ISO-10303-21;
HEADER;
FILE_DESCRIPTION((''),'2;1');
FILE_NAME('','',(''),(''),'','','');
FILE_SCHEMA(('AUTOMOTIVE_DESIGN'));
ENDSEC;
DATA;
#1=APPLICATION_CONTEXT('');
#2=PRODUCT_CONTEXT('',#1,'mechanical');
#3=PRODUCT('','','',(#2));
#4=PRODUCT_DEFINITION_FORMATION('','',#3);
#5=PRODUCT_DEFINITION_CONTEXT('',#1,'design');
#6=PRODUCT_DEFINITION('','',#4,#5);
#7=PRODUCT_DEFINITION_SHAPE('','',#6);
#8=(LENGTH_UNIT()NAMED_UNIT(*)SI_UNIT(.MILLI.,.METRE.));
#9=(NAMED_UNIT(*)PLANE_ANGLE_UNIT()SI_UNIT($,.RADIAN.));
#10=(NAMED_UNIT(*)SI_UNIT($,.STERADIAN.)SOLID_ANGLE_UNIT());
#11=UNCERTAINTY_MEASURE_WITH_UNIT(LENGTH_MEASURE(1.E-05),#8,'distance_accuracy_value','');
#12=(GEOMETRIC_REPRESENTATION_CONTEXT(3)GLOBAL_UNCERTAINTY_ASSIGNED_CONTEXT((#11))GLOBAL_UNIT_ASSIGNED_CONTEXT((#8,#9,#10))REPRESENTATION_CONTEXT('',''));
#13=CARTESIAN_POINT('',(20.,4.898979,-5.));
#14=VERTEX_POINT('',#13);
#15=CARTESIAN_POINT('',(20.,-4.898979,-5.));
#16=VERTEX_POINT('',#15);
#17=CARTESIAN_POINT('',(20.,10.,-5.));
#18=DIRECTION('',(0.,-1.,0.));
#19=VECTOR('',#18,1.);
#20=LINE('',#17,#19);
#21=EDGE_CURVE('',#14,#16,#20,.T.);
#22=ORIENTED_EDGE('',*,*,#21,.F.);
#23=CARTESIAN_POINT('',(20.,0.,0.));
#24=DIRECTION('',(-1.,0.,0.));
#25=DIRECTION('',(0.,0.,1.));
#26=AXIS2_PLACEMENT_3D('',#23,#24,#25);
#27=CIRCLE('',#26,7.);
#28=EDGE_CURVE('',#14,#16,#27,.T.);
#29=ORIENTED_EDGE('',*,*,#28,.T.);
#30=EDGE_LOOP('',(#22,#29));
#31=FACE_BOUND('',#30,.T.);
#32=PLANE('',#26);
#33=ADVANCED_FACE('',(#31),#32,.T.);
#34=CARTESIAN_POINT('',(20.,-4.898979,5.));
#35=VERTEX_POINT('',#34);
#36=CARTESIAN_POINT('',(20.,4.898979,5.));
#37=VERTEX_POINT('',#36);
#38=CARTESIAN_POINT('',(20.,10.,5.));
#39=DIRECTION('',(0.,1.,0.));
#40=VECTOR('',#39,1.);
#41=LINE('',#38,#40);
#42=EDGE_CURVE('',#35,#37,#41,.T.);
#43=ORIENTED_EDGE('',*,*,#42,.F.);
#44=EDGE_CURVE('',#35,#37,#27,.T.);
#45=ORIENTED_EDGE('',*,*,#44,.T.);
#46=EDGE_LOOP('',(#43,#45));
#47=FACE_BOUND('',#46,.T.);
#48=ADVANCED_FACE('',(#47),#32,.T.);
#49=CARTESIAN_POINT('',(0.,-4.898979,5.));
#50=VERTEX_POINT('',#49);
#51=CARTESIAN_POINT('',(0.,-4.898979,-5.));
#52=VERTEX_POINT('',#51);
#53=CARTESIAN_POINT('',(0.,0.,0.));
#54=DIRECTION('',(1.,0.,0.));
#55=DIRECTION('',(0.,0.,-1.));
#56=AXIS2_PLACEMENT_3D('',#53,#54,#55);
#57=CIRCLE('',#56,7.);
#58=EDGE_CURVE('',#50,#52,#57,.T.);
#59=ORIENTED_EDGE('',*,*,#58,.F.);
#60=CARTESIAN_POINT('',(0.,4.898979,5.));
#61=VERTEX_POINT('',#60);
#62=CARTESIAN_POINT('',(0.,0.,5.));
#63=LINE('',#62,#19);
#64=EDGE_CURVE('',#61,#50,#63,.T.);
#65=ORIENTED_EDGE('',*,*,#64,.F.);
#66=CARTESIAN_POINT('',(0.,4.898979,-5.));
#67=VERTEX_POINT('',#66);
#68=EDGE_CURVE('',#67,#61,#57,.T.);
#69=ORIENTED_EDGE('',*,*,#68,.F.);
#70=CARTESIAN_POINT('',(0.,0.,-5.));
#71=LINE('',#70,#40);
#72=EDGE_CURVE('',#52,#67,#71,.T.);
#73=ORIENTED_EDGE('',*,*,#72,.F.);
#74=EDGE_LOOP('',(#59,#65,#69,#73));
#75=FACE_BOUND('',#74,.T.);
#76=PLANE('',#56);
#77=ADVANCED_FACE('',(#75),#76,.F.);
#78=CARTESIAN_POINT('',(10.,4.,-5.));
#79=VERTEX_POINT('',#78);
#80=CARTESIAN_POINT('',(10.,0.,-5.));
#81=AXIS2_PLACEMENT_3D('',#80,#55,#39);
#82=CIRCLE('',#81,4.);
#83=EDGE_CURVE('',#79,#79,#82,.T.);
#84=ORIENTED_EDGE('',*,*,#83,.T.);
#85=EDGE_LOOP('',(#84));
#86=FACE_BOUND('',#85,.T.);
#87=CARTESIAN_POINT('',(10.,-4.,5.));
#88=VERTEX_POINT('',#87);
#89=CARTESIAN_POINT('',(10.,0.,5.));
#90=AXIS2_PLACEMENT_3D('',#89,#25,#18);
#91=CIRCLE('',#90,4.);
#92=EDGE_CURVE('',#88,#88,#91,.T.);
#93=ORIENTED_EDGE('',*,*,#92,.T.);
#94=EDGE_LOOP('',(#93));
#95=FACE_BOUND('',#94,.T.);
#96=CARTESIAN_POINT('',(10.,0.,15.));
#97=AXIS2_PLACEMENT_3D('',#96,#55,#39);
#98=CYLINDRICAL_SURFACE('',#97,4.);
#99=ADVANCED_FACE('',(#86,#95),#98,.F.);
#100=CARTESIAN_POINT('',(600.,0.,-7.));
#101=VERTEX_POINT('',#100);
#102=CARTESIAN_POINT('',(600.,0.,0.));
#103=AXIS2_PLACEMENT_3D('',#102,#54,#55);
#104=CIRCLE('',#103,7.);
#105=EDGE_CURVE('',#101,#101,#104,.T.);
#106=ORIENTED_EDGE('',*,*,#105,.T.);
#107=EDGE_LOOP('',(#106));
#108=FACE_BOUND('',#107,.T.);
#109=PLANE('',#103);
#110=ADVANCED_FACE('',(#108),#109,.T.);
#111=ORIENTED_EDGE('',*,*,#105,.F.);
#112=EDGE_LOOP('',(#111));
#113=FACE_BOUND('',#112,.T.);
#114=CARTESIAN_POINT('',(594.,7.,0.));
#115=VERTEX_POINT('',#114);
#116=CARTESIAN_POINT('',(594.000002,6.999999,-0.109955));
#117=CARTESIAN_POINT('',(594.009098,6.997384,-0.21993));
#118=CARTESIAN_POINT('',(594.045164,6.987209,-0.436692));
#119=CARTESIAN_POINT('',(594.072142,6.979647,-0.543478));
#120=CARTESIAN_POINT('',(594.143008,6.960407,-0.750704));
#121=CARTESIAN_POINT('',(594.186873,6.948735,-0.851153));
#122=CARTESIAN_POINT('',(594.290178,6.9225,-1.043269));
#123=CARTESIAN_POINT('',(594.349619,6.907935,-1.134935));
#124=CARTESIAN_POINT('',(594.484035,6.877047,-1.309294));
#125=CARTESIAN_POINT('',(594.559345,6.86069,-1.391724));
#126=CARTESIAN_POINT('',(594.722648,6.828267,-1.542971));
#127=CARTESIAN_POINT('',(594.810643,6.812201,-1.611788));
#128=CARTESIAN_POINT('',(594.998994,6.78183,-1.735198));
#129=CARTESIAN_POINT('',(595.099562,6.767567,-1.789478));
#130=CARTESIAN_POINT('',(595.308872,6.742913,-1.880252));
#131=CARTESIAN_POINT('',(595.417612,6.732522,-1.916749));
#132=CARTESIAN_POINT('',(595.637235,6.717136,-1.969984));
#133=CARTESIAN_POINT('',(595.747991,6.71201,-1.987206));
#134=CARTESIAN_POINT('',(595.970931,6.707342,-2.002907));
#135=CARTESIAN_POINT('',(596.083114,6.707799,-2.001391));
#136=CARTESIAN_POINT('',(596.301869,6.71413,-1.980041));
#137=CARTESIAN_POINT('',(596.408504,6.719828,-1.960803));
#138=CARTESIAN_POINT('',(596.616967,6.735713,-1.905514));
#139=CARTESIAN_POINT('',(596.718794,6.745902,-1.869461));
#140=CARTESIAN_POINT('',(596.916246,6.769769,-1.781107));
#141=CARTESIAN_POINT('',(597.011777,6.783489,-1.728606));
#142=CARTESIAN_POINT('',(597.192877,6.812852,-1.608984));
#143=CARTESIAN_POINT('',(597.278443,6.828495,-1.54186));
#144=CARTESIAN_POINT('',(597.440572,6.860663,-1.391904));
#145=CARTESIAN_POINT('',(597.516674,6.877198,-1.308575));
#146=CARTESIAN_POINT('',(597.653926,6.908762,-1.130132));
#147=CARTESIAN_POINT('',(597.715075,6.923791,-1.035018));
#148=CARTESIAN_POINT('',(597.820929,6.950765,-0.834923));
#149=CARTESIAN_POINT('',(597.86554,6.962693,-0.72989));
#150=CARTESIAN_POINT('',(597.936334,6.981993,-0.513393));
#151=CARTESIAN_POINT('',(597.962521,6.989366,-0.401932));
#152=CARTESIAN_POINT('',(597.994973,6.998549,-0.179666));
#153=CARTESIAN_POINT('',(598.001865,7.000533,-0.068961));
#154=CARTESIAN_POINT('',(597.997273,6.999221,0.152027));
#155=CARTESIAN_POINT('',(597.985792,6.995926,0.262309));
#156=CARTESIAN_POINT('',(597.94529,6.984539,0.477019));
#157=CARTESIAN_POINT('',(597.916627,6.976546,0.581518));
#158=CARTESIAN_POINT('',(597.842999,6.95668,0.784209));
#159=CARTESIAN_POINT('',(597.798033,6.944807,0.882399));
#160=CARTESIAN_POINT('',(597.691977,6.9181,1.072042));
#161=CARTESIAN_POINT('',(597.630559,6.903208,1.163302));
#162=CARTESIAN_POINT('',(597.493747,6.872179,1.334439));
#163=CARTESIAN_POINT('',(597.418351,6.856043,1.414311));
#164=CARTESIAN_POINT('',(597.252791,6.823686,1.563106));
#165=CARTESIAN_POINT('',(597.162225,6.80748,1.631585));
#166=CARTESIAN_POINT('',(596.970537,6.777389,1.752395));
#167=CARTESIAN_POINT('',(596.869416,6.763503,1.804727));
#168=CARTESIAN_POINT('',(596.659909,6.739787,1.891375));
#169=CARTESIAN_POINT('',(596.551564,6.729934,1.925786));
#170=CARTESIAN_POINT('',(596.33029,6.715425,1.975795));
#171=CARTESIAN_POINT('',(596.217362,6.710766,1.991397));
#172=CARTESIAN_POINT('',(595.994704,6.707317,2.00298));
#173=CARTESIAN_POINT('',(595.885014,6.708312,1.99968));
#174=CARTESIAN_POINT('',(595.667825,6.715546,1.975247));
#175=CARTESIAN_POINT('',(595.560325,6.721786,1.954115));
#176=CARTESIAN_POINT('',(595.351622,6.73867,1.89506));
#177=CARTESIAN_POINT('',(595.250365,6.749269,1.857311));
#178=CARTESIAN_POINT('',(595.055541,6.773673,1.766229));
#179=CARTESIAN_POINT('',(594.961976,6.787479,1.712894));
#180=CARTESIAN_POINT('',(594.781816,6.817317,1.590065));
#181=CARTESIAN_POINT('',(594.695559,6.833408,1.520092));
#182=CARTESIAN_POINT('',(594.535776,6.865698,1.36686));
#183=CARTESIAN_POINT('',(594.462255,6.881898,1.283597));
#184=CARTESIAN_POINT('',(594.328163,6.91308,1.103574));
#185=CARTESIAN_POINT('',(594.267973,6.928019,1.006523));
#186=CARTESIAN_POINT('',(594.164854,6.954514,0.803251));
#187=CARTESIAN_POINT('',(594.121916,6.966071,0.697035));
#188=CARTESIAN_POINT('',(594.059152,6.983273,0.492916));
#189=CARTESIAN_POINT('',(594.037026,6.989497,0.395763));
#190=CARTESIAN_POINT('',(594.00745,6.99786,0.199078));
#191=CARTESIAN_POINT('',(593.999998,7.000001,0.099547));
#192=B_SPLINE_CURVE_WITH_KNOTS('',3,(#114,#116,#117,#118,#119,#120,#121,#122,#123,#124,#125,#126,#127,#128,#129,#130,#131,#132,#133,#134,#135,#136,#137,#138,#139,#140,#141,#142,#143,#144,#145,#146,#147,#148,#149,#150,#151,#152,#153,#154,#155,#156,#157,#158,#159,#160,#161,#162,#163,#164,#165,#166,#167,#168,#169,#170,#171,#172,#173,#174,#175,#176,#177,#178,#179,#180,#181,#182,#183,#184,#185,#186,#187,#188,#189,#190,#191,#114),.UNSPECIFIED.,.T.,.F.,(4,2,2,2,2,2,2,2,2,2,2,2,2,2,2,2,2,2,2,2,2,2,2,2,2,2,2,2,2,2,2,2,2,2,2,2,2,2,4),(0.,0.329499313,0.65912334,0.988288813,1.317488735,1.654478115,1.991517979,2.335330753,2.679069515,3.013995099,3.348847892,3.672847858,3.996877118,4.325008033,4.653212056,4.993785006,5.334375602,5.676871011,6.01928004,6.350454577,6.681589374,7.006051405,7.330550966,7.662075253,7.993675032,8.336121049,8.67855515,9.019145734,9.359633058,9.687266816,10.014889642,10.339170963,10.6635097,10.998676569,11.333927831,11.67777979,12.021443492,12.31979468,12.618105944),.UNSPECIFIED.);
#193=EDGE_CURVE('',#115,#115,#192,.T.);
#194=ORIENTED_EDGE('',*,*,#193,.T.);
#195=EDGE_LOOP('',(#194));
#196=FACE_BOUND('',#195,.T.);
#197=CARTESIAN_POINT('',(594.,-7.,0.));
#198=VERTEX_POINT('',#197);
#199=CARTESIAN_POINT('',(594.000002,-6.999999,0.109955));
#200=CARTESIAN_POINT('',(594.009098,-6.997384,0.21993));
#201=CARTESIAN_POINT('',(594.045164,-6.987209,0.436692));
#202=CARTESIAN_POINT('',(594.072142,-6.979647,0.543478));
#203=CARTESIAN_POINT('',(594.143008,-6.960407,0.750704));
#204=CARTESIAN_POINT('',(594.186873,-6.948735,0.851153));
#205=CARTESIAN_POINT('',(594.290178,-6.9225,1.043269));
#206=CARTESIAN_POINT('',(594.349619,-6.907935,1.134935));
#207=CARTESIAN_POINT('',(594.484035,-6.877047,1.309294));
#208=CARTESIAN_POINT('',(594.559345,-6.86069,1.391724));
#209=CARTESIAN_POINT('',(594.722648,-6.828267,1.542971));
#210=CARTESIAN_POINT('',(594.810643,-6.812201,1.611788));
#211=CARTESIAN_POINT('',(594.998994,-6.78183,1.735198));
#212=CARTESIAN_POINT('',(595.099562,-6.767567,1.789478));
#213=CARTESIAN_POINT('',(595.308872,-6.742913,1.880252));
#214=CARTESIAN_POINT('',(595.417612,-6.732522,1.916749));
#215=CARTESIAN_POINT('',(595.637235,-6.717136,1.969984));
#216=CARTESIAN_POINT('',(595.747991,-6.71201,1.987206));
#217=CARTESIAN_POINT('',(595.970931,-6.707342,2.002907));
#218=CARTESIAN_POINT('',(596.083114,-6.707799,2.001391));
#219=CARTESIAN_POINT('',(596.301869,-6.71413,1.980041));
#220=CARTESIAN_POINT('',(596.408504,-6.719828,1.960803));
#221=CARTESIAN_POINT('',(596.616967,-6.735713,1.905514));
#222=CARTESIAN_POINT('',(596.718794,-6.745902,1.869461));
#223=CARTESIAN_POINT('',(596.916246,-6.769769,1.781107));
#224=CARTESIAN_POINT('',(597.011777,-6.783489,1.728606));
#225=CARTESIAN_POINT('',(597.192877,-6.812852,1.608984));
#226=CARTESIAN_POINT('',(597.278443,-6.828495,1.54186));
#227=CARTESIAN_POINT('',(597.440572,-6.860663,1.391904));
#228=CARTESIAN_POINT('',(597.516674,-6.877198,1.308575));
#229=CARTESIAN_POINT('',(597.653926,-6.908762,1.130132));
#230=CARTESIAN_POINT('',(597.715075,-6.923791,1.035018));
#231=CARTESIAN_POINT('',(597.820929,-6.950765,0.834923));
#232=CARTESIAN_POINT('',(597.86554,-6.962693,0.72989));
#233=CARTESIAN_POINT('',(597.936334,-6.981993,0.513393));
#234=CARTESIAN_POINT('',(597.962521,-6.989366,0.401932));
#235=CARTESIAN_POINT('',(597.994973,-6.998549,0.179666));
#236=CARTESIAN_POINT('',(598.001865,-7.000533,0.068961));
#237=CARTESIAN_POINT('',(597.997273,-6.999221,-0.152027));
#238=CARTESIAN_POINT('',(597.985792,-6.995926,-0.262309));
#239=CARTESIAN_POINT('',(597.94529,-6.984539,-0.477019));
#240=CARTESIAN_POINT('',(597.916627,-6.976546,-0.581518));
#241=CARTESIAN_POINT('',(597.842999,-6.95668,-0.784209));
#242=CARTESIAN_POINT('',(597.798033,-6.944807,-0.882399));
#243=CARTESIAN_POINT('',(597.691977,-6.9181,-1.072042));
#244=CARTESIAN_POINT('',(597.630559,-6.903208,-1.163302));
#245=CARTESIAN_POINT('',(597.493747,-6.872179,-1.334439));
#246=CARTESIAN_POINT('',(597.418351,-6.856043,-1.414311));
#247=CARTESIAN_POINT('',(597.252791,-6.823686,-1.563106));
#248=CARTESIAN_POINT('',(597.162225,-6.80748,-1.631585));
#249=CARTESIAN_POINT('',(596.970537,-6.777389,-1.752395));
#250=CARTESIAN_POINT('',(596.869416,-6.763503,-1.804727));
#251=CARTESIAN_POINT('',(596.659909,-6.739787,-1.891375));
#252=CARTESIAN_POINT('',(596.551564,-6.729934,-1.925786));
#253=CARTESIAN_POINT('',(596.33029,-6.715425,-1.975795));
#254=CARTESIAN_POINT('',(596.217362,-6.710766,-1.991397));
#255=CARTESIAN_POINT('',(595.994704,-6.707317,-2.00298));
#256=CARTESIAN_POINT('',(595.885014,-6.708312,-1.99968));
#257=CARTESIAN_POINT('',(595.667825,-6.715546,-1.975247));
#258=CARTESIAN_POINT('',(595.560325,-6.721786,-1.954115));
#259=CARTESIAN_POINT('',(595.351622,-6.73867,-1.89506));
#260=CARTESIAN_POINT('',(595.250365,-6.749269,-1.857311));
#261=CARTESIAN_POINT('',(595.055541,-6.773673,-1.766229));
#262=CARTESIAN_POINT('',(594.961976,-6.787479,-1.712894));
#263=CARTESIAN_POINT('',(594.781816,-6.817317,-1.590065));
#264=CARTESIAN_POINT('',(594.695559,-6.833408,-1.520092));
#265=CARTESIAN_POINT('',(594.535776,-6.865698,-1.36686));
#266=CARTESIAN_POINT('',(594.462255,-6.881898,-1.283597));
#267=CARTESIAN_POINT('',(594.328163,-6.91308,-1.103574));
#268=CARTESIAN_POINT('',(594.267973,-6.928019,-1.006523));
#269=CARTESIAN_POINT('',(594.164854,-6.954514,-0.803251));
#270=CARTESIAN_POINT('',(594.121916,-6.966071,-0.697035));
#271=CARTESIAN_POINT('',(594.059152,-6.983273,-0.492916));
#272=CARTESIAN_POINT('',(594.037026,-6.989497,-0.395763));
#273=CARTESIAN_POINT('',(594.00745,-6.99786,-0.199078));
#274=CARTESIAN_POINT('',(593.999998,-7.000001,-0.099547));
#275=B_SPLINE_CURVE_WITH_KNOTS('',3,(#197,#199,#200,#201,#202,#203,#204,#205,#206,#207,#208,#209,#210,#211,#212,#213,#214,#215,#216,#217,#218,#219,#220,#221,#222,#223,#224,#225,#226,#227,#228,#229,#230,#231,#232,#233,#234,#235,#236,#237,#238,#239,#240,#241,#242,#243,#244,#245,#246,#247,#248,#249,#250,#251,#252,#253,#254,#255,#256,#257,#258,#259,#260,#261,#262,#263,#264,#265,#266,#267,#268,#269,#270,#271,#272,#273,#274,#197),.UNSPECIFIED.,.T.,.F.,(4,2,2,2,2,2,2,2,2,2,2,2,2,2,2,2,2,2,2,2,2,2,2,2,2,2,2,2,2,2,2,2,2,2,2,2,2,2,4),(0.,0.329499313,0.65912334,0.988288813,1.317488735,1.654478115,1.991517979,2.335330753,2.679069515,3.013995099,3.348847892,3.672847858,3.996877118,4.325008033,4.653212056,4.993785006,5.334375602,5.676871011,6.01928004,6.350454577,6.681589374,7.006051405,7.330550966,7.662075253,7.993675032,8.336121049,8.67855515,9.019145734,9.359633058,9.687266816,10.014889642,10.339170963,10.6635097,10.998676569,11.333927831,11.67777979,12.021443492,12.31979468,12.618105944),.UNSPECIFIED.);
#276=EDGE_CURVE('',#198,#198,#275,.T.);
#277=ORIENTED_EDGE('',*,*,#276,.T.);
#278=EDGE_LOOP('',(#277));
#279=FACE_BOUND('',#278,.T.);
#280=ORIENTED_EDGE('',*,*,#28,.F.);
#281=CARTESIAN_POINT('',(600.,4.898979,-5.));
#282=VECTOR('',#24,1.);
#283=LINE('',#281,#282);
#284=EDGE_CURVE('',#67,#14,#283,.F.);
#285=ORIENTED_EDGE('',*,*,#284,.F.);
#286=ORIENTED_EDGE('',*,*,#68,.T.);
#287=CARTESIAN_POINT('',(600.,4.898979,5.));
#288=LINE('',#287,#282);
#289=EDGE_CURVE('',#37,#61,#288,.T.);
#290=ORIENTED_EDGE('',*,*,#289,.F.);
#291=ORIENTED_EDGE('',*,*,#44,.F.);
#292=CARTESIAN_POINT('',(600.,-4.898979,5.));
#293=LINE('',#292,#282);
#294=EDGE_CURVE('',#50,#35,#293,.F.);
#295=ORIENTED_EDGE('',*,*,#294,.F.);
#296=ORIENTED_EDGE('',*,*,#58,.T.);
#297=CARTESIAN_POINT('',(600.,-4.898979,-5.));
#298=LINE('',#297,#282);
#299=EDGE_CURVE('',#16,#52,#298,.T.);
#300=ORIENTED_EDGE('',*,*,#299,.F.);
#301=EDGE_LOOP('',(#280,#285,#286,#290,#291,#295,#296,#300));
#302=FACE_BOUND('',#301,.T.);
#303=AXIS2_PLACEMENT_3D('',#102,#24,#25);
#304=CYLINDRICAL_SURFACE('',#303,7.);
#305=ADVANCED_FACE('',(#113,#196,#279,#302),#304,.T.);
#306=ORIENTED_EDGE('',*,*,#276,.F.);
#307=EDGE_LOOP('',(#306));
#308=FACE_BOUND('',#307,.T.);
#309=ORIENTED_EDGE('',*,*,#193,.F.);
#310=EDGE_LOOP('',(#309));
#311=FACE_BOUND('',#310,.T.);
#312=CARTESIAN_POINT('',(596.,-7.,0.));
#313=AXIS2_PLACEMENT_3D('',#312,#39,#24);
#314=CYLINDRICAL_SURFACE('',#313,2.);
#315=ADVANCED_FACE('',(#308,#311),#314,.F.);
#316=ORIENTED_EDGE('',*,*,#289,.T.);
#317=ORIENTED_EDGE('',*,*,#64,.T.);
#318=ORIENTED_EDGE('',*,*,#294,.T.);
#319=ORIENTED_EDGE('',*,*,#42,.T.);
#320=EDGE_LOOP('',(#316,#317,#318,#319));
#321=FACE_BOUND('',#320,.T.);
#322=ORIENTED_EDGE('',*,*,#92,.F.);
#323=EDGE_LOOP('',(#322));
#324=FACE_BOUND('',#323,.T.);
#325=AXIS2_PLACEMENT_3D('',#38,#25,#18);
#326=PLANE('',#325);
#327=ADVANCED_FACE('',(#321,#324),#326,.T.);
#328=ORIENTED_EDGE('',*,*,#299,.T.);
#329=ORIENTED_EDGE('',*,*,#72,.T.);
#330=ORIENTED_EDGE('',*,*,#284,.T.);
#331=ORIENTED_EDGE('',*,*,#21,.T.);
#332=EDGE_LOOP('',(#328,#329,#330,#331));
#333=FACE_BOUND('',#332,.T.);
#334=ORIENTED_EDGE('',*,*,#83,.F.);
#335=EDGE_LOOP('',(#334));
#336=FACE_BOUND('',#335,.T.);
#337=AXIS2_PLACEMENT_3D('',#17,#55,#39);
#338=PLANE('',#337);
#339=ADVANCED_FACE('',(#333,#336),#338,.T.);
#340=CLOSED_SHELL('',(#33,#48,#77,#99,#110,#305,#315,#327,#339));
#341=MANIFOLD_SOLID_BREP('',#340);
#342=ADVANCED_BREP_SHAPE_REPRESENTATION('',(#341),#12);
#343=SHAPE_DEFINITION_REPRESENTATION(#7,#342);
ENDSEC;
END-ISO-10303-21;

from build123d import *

# Parameters (mm, degrees)
SKETCH_1_R           = 7
EXTRUDE_1_DEPTH      = 600
SKETCH_3_OUTSIDE_W   = 136.066
SKETCH_3_OUTSIDE_H   = 136.066
SKETCH_3_OUTSIDE_W_2 = 10
SKETCH_3_OUTSIDE_H_2 = 20
CUT_EXTRUDE_1_DEPTH  = 20
SKETCH_4_R           = 4
CUT_EXTRUDE_3_DEPTH  = 20
SKETCH_5_R           = 2
CUT_EXTRUDE_4_DEPTH  = 15


with BuildPart() as part:
    # 草图1 → 凸台-拉伸1 (new body)
    with BuildSketch(Plane(origin=(0, 0, 0), x_dir=(0, 0, -1), z_dir=(1, 0, 0))):
        Circle(SKETCH_1_R)
    extrude(amount=EXTRUDE_1_DEPTH)

    # 草图3 outside → 切除-拉伸1 (cut)
    with BuildSketch(Plane.ZY):
        Rectangle(SKETCH_3_OUTSIDE_W, SKETCH_3_OUTSIDE_H)
        Rectangle(SKETCH_3_OUTSIDE_W_2, SKETCH_3_OUTSIDE_H_2, mode=Mode.SUBTRACT)
    extrude(amount=-CUT_EXTRUDE_1_DEPTH, mode=Mode.SUBTRACT)

    # 草图4 → 切除-拉伸3 (cut)
    with BuildSketch(Plane(origin=(0, 0, -5), x_dir=(-1, 0, 0), z_dir=(0, 0, -1))):
        with Locations((-10, 0)):
            Circle(SKETCH_4_R)
    extrude(amount=-CUT_EXTRUDE_3_DEPTH, mode=Mode.SUBTRACT)

    # 草图5 → 切除-拉伸4 (cut, through all)
    with BuildSketch(Plane(origin=(-583.138159927, 7, 1388.026133711), x_dir=(-1, 0, 0), z_dir=(0, 1, 0))):
        with Locations((-1179.138160513, -1388.026133214)):
            Circle(SKETCH_5_R)
    extrude(amount=-CUT_EXTRUDE_4_DEPTH, mode=Mode.SUBTRACT)


solid = part.part
